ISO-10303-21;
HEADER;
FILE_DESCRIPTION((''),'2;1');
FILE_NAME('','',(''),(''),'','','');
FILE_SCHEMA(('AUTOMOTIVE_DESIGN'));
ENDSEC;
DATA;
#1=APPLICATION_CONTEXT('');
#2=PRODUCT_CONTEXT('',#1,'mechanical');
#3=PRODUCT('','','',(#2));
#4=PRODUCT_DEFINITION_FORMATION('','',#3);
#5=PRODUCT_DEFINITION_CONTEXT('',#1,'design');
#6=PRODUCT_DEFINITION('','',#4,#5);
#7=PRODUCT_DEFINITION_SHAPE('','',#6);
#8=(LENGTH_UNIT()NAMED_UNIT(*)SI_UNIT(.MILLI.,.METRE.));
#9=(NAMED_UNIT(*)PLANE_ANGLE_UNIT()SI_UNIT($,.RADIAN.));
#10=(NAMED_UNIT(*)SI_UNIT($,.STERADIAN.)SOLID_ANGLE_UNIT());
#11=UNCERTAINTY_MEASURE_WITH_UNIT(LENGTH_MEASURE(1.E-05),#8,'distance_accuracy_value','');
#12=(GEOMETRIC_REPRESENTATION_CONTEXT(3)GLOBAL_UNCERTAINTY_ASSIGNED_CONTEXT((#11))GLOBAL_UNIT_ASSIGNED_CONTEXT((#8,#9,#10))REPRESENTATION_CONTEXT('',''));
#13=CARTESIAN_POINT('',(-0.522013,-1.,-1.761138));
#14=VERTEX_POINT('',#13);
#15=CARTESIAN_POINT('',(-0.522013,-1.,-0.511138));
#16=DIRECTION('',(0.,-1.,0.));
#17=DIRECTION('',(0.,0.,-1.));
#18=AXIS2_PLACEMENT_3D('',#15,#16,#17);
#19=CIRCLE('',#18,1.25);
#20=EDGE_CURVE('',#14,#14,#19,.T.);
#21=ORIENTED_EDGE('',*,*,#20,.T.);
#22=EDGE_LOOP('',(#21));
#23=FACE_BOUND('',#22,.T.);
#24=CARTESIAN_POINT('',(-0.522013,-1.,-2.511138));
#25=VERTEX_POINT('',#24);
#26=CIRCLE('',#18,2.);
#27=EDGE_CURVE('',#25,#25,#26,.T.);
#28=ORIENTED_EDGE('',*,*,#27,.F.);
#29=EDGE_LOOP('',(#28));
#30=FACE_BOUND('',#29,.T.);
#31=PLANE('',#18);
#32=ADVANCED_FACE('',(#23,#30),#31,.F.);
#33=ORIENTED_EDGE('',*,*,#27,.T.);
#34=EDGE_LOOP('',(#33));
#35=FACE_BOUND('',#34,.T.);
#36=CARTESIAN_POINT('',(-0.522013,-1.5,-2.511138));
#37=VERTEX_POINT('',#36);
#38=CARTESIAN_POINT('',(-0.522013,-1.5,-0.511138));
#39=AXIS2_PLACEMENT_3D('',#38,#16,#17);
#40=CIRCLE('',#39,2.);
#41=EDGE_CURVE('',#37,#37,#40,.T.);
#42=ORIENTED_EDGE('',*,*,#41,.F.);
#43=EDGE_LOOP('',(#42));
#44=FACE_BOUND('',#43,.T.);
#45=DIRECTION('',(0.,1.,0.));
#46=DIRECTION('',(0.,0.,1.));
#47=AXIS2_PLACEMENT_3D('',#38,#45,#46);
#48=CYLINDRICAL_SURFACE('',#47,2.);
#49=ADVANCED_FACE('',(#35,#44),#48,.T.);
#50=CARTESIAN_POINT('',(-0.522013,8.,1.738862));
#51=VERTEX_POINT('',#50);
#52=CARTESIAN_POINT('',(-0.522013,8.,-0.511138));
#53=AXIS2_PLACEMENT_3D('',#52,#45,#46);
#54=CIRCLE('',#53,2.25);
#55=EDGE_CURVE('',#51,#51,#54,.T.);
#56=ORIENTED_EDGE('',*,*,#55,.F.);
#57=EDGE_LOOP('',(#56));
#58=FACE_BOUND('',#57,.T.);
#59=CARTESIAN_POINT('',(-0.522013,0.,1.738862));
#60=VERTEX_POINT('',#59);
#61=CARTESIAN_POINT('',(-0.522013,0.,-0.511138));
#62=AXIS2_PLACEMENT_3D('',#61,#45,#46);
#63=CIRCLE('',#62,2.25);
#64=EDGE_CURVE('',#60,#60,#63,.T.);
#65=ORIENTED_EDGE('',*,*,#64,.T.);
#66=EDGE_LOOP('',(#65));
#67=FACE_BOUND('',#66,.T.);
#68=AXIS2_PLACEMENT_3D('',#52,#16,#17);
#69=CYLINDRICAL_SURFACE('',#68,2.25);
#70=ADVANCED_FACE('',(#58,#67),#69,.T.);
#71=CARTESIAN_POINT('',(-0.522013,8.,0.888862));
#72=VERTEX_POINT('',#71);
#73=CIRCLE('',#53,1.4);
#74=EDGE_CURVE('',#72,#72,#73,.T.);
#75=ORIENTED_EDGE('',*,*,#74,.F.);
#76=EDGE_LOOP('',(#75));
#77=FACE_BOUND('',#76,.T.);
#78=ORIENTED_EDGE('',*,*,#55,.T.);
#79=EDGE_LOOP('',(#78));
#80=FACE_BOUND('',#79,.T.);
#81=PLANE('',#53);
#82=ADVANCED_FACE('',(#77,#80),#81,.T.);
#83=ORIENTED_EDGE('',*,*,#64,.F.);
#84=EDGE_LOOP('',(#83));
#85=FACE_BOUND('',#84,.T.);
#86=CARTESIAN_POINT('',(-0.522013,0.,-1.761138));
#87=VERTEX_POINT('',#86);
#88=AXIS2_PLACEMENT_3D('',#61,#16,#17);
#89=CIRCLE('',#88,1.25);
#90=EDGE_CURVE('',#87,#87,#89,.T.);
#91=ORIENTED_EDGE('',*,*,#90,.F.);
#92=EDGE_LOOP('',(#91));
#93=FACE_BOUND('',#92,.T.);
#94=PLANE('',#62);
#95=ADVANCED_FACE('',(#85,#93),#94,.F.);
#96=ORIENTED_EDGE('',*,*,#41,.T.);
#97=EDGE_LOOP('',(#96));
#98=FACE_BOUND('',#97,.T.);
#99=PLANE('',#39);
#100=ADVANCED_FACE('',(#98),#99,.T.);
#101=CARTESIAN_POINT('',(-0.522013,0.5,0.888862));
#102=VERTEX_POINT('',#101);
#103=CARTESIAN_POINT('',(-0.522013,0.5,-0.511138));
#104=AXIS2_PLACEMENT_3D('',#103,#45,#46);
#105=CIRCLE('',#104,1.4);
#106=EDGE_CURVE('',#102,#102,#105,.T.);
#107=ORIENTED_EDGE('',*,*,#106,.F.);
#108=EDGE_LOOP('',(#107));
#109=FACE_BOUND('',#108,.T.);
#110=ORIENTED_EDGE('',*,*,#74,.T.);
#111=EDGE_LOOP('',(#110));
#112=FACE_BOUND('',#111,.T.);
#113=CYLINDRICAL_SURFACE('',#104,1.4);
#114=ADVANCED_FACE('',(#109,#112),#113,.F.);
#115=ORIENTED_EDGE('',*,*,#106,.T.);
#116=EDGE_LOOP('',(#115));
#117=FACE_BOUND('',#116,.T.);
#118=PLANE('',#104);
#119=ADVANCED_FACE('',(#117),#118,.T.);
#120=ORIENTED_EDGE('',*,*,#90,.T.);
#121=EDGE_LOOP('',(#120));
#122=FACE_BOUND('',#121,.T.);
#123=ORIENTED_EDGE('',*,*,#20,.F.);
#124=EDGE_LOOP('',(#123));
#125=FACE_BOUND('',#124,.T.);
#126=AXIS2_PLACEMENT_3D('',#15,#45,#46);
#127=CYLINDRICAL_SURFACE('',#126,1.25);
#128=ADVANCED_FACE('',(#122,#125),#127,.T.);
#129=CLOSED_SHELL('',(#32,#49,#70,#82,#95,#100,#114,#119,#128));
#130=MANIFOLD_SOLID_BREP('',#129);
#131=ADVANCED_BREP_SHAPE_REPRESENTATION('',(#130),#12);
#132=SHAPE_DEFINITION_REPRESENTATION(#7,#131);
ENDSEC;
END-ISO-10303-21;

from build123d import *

# Parameters (mm, degrees)
SKETCH1_R           = 2.25
BOSS_EXTRUDE1_DEPTH = 8
SKETCH1_3_R         = 1.375
BOSS_EXTRUDE2_DEPTH = 1
SKETCH5_R           = 1.25
BOSS_EXTRUDE3_DEPTH = 1
SKETCH6_R           = 2
BOSS_EXTRUDE4_DEPTH = 0.5
SKETCH12_R          = 1.4
CUT_EXTRUDE1_DEPTH  = 7.5


with BuildPart() as part:
    # Sketch1 → Boss-Extrude1 (new body)
    with BuildSketch(Plane(origin=(0, 0, 0), x_dir=(1, 0, 0), z_dir=(0, 1, 0))):
        with Locations((-0.522013312, 0.511138034)):
            Circle(SKETCH1_R)
    extrude(amount=BOSS_EXTRUDE1_DEPTH)

    # Sketch1<3> → Boss-Extrude2 (add)
    with BuildSketch(Plane(origin=(0, 0, 0), x_dir=(1, 0, 0), z_dir=(0, 1, 0))):
        with Locations((-0.522013312, 0.511138034)):
            Circle(SKETCH1_3_R)
    extrude(amount=BOSS_EXTRUDE2_DEPTH)

    # Sketch5 → Boss-Extrude3 (add)
    with BuildSketch(Plane.XZ):
        with Locations((-0.522013312, -0.511138034)):
            Circle(SKETCH5_R)
    extrude(amount=BOSS_EXTRUDE3_DEPTH)

    # Sketch6 → Boss-Extrude4 (add)
    with BuildSketch(Plane.XZ.offset(1)):
        with Locations((-0.522013312, -0.511138034)):
            Circle(SKETCH6_R)
    extrude(amount=BOSS_EXTRUDE4_DEPTH)

    # Sketch12 → Cut-Extrude1 (cut)
    with BuildSketch(Plane(origin=(0, 8, 0), x_dir=(1, 0, 0), z_dir=(0, 1, 0))):
        with Locations((-0.522013312, 0.511138034)):
            Circle(SKETCH12_R)
    extrude(amount=-CUT_EXTRUDE1_DEPTH, mode=Mode.SUBTRACT)


solid = part.part
